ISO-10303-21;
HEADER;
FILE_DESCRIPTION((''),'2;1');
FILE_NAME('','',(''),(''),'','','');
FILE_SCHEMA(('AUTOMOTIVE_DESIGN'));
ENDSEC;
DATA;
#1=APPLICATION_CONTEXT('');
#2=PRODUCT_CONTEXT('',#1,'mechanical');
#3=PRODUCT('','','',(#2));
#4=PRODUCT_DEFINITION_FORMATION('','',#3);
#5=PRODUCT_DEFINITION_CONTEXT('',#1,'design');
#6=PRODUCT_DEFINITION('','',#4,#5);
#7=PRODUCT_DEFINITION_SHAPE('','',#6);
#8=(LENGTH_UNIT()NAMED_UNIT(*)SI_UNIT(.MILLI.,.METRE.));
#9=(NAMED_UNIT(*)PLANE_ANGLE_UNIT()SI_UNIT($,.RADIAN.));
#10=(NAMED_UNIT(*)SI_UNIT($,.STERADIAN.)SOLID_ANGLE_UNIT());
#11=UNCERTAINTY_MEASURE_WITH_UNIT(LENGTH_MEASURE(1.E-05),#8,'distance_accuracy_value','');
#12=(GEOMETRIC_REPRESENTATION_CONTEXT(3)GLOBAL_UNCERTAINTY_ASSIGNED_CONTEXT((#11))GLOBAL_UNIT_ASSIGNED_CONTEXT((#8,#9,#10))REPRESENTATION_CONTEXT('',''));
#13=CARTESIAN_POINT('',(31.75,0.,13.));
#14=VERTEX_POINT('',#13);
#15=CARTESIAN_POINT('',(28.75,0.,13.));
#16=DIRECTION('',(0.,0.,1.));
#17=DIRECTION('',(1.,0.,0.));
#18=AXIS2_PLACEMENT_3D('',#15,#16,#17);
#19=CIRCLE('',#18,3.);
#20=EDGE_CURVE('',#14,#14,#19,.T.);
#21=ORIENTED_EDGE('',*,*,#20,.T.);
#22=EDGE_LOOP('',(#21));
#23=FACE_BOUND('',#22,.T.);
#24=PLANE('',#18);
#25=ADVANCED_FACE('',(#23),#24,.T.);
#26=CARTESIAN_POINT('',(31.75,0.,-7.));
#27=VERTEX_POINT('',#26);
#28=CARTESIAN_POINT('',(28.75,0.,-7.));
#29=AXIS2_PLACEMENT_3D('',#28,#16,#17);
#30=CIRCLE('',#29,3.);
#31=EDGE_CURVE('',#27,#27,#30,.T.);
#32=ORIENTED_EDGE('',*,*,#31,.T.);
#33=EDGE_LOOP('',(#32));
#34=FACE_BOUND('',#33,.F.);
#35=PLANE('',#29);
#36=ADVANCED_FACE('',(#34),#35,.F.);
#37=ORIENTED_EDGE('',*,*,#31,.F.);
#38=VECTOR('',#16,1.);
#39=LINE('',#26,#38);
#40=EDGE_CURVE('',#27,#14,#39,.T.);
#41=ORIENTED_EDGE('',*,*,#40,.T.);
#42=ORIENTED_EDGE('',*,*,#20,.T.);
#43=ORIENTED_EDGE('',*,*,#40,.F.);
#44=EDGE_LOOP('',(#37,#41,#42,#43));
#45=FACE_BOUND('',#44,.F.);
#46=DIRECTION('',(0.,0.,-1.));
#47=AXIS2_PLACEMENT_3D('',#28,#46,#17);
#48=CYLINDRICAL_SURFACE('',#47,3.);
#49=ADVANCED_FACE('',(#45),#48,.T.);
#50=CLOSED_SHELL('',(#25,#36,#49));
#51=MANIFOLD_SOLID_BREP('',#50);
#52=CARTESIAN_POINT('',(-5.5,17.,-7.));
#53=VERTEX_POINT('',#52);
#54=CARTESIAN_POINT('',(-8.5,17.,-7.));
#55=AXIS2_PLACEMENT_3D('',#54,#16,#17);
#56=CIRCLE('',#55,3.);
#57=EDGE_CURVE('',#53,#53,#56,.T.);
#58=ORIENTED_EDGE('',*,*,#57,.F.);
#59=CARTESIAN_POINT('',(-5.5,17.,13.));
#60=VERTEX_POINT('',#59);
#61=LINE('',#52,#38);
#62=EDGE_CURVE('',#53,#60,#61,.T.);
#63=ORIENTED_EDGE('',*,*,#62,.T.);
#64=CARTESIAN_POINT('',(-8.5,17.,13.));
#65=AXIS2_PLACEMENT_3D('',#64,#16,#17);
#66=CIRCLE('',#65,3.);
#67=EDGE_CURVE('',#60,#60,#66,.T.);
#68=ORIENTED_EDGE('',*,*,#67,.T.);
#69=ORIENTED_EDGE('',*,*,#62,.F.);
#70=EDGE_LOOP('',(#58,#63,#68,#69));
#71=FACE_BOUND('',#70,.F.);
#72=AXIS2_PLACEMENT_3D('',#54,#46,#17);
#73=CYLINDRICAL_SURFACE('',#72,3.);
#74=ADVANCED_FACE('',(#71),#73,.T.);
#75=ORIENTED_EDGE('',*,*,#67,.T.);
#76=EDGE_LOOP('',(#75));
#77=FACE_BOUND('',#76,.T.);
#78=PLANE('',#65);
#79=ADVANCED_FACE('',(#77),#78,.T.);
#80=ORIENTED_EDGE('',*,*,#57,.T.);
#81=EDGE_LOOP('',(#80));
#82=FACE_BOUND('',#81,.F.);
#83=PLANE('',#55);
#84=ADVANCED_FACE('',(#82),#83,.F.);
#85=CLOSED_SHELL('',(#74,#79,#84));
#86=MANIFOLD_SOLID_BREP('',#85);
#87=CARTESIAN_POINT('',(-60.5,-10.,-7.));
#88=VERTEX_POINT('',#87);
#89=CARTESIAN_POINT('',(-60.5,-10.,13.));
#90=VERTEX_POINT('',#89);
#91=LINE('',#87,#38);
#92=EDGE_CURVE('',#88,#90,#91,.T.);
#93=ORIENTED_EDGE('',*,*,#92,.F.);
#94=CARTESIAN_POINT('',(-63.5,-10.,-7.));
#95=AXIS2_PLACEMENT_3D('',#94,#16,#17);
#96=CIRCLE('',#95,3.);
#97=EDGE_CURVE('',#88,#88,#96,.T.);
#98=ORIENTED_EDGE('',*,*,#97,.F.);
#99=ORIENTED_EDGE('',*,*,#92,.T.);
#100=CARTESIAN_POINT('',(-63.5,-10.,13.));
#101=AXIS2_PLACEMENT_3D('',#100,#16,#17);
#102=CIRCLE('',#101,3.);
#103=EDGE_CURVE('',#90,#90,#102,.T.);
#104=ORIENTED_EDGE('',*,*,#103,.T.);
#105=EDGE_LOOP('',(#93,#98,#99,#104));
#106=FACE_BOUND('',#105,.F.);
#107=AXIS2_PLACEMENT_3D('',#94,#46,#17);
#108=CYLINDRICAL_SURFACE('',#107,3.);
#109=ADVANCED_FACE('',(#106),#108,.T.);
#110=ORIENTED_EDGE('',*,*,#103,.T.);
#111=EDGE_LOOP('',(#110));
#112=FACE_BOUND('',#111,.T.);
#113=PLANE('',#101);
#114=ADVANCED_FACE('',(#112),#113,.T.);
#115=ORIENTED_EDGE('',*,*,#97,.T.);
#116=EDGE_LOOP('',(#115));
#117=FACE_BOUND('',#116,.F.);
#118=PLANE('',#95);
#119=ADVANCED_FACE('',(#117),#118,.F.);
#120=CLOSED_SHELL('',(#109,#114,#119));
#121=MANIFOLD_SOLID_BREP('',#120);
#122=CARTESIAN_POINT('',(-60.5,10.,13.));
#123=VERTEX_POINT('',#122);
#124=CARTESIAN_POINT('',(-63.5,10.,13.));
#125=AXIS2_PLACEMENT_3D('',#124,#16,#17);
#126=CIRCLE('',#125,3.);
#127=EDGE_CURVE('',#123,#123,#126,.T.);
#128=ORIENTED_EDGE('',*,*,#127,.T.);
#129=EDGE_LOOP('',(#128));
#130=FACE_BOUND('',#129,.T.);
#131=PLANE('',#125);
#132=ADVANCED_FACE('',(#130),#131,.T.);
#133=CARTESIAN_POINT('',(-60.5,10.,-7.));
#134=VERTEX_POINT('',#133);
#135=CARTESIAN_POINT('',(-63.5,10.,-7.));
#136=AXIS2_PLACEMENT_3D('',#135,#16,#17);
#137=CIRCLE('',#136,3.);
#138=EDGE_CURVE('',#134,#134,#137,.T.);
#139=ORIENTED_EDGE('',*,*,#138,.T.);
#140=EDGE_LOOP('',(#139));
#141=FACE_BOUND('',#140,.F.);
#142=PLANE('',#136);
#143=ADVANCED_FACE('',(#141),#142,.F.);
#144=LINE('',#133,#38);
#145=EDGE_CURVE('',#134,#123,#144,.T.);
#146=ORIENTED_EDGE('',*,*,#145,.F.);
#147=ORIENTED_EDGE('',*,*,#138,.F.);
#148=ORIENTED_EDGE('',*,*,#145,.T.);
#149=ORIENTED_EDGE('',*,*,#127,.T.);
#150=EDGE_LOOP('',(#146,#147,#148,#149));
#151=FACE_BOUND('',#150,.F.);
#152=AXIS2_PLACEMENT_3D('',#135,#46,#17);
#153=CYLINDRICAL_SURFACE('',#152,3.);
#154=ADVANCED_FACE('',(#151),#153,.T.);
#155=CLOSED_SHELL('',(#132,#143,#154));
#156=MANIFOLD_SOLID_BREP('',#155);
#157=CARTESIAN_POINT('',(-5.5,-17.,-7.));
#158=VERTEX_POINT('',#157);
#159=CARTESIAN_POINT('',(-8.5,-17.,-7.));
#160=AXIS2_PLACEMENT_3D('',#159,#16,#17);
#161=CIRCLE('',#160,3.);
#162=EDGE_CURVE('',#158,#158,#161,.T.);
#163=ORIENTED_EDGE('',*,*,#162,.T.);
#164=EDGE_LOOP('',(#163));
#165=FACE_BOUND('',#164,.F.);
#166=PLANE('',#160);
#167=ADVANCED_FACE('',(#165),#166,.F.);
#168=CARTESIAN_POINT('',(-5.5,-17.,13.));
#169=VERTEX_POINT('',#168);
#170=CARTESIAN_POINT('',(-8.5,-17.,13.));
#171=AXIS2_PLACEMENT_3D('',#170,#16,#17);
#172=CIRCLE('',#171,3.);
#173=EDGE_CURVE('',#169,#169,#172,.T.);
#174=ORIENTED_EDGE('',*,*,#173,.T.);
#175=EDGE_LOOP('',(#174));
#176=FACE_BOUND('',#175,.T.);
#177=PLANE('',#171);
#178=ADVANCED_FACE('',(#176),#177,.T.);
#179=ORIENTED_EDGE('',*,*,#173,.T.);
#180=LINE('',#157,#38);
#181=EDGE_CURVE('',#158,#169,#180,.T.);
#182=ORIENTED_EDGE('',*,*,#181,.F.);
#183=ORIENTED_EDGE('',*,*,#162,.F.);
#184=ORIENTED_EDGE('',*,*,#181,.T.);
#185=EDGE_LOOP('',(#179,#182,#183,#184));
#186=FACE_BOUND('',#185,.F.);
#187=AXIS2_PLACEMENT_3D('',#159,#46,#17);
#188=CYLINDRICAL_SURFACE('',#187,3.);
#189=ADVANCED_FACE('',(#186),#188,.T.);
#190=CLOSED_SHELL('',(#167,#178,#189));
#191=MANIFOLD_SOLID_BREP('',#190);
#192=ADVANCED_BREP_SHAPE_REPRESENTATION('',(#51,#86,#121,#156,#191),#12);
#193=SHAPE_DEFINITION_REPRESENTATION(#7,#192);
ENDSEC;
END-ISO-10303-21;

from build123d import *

# Parameters (mm, degrees)
CYLINDER148_R     = 3
CYLINDER148_DEPTH = 20
CYLINDER149_R     = 3
CYLINDER149_DEPTH = 20
CYLINDER152_R     = 3
CYLINDER152_DEPTH = 20
CYLINDER145_R     = 3
CYLINDER145_DEPTH = 20
CYLINDER155_R     = 3
CYLINDER155_DEPTH = 20


with BuildPart() as zylinder148:
    # Cylinder148 → Cylinder148 (new body)
    with BuildSketch(Plane(origin=(-63.5, -10, -7), x_dir=(1, 0, 0), z_dir=(0, 0, 1))):
        Circle(CYLINDER148_R)
    extrude(amount=CYLINDER148_DEPTH)


with BuildPart() as zylinder149:
    # Cylinder149 → Cylinder149 (new body)
    with BuildSketch(Plane(origin=(-8.5, -17, -7), x_dir=(1, 0, 0), z_dir=(0, 0, 1))):
        Circle(CYLINDER149_R)
    extrude(amount=CYLINDER149_DEPTH)


with BuildPart() as zylinder152:
    # Cylinder152 → Cylinder152 (new body)
    with BuildSketch(Plane(origin=(-63.5, 10, -7), x_dir=(1, 0, 0), z_dir=(0, 0, 1))):
        Circle(CYLINDER152_R)
    extrude(amount=CYLINDER152_DEPTH)


with BuildPart() as zylinder145:
    # Cylinder145 → Cylinder145 (new body)
    with BuildSketch(Plane(origin=(-8.5, 17, -7), x_dir=(1, 0, 0), z_dir=(0, 0, 1))):
        Circle(CYLINDER145_R)
    extrude(amount=CYLINDER145_DEPTH)


with BuildPart() as fusion106:
    # Cylinder155 → Cylinder155 (new body)
    with BuildSketch(Plane(origin=(28.75, 0, -7), x_dir=(1, 0, 0), z_dir=(0, 0, 1))):
        Circle(CYLINDER155_R)
    extrude(amount=CYLINDER155_DEPTH)

    # Fusion106: union Zylinder148, Zylinder149, Zylinder152, Zylinder145
    add(zylinder148.part)
    add(zylinder149.part)
    add(zylinder152.part)
    add(zylinder145.part)


solid = fusion106.part
